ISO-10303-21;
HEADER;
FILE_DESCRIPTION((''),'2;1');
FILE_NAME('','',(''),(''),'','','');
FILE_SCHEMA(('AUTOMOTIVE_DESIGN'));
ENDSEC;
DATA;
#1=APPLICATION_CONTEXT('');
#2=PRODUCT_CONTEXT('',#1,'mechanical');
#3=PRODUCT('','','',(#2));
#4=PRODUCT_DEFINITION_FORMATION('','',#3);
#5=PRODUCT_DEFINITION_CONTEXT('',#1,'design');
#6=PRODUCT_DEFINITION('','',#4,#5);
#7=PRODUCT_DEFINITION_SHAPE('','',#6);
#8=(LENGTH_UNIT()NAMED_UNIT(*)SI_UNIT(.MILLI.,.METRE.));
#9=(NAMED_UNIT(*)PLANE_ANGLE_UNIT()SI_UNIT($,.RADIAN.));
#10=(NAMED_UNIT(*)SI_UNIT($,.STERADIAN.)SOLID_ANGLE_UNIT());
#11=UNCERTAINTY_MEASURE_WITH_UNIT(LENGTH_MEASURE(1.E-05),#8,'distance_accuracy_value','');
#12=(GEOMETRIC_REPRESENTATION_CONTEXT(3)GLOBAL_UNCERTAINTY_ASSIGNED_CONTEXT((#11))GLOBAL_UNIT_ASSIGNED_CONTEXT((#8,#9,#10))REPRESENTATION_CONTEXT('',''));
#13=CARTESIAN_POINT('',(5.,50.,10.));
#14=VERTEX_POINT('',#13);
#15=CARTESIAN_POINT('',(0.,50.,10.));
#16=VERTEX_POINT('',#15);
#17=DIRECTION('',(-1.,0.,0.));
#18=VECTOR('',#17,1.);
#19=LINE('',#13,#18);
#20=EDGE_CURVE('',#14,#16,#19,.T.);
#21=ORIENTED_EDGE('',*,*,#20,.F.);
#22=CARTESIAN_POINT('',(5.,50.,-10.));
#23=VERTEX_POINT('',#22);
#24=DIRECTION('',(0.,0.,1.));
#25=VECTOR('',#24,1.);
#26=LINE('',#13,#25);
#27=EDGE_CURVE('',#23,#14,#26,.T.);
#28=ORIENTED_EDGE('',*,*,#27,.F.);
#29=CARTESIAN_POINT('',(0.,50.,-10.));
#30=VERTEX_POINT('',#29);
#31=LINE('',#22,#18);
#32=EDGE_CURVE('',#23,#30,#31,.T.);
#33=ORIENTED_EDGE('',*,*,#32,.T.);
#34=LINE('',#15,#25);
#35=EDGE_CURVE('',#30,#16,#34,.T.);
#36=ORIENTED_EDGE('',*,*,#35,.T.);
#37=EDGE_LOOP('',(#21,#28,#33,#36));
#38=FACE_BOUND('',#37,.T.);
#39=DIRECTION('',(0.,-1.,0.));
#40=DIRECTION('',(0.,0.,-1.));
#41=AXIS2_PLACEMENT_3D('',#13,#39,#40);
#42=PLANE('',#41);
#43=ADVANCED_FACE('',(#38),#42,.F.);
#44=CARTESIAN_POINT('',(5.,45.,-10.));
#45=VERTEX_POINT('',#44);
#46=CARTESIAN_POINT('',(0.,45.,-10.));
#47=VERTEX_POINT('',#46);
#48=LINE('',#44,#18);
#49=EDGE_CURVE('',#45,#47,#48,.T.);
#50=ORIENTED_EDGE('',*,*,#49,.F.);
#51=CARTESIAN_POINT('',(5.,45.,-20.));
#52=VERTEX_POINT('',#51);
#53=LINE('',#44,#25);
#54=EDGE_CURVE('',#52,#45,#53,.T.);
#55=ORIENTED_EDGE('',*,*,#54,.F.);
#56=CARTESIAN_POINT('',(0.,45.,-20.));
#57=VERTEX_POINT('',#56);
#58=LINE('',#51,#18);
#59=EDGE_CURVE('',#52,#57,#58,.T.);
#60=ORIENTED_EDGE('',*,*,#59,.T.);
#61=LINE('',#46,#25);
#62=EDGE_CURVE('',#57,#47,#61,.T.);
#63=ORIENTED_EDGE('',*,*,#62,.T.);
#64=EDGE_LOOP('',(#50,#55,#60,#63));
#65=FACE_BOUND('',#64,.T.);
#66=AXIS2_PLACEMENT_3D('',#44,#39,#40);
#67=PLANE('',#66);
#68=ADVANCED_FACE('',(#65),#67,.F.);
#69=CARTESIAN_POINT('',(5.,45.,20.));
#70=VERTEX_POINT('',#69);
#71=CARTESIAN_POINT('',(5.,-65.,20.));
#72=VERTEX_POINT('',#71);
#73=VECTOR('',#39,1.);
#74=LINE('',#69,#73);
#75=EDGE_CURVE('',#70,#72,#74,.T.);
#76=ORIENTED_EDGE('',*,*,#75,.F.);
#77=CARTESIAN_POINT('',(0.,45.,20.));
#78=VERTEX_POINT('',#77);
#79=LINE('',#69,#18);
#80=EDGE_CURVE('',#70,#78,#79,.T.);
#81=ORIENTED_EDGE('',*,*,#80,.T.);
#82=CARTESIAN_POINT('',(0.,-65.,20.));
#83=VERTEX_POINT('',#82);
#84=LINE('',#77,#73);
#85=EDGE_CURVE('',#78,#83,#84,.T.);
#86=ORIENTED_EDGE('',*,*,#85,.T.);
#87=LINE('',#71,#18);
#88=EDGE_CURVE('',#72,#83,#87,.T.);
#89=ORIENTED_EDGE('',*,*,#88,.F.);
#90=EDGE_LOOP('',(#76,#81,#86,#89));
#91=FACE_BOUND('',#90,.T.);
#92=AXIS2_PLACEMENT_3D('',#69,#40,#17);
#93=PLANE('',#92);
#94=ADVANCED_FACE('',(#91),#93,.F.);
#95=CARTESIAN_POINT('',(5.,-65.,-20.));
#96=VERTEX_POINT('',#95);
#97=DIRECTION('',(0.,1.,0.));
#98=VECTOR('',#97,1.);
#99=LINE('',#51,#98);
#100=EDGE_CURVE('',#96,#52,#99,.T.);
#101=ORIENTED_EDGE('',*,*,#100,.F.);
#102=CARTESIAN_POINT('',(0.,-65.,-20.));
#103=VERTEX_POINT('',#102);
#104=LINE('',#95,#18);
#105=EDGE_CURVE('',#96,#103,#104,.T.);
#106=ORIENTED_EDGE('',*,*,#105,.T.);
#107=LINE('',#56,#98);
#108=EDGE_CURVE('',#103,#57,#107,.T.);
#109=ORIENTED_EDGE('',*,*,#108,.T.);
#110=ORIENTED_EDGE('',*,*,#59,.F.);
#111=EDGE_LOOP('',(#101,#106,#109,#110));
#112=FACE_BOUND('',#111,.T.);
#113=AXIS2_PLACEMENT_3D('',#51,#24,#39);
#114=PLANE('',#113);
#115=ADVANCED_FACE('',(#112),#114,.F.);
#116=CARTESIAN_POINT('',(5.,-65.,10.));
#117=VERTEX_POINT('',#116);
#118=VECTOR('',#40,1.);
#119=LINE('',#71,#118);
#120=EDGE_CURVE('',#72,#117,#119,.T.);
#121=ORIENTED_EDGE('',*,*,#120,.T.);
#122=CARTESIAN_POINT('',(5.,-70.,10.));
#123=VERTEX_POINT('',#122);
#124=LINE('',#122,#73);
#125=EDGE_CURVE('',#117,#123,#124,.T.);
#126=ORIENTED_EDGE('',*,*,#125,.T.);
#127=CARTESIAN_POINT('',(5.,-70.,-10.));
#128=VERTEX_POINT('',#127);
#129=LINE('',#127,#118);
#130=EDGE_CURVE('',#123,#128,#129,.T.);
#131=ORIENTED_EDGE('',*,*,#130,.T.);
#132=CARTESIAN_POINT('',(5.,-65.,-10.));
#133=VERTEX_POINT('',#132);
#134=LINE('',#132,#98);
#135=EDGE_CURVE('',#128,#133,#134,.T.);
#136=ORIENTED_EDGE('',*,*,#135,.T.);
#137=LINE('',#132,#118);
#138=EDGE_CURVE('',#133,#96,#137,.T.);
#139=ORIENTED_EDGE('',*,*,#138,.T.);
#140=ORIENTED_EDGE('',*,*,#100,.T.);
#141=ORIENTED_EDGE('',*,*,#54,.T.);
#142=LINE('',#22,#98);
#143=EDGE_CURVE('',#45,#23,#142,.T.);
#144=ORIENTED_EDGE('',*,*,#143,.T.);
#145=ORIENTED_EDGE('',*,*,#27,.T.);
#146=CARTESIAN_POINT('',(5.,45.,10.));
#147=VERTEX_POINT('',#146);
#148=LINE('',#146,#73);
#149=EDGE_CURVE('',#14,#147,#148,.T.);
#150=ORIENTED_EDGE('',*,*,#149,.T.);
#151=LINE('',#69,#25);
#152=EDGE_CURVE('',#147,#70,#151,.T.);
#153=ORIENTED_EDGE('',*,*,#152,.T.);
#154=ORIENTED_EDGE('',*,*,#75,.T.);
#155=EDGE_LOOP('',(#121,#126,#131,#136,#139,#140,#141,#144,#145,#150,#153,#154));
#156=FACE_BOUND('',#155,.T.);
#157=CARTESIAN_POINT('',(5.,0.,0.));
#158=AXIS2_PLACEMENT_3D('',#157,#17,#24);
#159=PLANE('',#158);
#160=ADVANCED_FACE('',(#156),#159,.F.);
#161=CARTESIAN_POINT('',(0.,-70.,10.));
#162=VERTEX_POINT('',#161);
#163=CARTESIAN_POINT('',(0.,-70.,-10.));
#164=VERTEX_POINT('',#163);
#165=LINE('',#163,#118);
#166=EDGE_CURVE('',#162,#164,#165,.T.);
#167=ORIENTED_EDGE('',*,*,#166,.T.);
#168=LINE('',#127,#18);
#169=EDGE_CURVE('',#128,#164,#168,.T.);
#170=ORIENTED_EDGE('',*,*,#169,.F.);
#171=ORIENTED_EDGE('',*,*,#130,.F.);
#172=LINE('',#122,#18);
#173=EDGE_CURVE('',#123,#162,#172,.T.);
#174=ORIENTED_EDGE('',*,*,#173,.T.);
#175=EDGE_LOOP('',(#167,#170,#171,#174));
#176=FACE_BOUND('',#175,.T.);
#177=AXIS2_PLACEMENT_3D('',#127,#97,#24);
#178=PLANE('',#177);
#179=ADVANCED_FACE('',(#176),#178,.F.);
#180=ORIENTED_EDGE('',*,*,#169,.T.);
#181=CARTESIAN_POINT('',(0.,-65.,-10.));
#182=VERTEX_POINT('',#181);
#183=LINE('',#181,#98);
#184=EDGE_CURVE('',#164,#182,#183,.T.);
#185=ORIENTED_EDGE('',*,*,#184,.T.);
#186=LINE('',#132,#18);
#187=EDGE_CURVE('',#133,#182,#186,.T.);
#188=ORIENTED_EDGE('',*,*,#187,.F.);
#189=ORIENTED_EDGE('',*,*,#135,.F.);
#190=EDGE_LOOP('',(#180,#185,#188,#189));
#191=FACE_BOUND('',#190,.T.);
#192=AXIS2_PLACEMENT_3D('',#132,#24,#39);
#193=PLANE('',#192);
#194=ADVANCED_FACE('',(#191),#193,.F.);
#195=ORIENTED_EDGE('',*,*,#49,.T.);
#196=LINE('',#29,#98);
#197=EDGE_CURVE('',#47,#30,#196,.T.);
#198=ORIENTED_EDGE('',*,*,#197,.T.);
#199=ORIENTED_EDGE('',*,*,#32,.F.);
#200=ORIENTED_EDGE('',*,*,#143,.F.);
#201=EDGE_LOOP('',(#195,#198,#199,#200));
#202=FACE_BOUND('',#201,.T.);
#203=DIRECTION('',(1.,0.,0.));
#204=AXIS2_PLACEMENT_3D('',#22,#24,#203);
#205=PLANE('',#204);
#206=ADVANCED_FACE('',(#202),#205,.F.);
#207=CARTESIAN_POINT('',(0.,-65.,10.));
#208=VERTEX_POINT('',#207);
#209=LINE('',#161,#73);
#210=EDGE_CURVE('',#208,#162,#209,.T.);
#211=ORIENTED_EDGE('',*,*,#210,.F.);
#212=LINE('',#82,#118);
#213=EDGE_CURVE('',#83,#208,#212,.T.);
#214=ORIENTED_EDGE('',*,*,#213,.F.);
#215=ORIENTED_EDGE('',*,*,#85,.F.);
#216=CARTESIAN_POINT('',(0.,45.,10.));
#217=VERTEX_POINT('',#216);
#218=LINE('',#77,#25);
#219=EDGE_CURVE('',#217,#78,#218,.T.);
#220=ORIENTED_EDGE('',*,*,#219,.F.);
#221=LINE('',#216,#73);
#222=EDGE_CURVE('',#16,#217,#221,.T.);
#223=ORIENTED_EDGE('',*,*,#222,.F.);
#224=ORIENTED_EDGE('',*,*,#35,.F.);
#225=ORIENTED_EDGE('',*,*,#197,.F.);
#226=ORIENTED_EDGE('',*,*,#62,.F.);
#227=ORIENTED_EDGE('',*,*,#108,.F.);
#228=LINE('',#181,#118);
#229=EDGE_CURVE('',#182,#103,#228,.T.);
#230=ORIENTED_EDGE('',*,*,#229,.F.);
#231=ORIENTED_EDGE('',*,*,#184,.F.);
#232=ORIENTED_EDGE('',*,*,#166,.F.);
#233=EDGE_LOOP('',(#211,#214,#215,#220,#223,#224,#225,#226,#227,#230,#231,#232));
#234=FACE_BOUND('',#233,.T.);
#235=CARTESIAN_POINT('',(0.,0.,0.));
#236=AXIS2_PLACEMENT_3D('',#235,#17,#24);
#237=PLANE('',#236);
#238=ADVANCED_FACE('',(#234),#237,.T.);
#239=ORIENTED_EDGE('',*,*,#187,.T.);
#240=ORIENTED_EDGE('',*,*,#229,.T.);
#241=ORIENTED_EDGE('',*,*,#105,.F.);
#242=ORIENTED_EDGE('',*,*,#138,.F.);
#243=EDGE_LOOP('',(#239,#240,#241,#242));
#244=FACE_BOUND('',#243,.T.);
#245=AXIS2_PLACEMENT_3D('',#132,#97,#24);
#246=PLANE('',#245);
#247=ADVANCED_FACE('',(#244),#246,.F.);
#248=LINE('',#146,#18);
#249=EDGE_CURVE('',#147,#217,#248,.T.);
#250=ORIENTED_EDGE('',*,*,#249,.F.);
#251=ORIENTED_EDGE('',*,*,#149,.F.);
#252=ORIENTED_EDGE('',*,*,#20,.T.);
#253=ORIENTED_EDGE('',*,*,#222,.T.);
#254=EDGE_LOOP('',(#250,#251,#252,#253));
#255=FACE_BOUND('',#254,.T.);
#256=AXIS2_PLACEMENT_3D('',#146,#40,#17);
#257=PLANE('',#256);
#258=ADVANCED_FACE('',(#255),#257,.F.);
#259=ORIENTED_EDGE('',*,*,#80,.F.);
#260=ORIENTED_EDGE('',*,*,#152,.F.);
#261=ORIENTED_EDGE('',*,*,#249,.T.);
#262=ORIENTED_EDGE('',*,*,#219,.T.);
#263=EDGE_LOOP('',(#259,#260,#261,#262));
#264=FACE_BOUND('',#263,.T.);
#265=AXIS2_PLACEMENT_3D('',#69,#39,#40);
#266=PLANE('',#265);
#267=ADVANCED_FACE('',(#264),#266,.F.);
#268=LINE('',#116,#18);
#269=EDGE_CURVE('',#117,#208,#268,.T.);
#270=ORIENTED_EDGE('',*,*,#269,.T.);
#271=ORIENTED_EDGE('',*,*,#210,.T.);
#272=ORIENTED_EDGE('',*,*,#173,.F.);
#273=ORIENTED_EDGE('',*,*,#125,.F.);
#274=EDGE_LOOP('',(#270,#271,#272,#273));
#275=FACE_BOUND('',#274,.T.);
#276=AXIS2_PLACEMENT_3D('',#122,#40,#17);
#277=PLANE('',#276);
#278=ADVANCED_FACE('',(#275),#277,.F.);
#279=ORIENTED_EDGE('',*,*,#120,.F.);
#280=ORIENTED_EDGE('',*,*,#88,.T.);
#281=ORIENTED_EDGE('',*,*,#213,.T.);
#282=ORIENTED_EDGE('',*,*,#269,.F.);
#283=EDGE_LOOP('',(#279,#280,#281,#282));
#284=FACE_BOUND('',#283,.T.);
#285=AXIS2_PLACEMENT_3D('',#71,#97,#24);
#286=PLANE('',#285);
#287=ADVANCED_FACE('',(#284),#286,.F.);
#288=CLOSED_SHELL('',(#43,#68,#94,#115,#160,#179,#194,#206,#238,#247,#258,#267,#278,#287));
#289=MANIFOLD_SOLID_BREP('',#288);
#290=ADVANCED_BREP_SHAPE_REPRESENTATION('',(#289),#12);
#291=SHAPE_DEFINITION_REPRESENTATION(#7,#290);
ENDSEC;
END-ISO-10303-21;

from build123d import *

# Parameters (mm, degrees)
BOSS_EXTRUDE1_DEPTH = 5


with BuildPart() as part:
    # Sketch1 → Boss-Extrude1 (new body)
    with BuildSketch(Plane(origin=(0, 0, 0), x_dir=(0, 0, -1), z_dir=(1, 0, 0))):
        Polygon((-20, 45), (-10, 45), (-10, 50), (10, 50), (10, 45), (20, 45), (20, -65), (10, -65), (10, -70), (-10, -70), (-10, -65), (-20, -65), align=None)
    extrude(amount=BOSS_EXTRUDE1_DEPTH)


solid = part.part
